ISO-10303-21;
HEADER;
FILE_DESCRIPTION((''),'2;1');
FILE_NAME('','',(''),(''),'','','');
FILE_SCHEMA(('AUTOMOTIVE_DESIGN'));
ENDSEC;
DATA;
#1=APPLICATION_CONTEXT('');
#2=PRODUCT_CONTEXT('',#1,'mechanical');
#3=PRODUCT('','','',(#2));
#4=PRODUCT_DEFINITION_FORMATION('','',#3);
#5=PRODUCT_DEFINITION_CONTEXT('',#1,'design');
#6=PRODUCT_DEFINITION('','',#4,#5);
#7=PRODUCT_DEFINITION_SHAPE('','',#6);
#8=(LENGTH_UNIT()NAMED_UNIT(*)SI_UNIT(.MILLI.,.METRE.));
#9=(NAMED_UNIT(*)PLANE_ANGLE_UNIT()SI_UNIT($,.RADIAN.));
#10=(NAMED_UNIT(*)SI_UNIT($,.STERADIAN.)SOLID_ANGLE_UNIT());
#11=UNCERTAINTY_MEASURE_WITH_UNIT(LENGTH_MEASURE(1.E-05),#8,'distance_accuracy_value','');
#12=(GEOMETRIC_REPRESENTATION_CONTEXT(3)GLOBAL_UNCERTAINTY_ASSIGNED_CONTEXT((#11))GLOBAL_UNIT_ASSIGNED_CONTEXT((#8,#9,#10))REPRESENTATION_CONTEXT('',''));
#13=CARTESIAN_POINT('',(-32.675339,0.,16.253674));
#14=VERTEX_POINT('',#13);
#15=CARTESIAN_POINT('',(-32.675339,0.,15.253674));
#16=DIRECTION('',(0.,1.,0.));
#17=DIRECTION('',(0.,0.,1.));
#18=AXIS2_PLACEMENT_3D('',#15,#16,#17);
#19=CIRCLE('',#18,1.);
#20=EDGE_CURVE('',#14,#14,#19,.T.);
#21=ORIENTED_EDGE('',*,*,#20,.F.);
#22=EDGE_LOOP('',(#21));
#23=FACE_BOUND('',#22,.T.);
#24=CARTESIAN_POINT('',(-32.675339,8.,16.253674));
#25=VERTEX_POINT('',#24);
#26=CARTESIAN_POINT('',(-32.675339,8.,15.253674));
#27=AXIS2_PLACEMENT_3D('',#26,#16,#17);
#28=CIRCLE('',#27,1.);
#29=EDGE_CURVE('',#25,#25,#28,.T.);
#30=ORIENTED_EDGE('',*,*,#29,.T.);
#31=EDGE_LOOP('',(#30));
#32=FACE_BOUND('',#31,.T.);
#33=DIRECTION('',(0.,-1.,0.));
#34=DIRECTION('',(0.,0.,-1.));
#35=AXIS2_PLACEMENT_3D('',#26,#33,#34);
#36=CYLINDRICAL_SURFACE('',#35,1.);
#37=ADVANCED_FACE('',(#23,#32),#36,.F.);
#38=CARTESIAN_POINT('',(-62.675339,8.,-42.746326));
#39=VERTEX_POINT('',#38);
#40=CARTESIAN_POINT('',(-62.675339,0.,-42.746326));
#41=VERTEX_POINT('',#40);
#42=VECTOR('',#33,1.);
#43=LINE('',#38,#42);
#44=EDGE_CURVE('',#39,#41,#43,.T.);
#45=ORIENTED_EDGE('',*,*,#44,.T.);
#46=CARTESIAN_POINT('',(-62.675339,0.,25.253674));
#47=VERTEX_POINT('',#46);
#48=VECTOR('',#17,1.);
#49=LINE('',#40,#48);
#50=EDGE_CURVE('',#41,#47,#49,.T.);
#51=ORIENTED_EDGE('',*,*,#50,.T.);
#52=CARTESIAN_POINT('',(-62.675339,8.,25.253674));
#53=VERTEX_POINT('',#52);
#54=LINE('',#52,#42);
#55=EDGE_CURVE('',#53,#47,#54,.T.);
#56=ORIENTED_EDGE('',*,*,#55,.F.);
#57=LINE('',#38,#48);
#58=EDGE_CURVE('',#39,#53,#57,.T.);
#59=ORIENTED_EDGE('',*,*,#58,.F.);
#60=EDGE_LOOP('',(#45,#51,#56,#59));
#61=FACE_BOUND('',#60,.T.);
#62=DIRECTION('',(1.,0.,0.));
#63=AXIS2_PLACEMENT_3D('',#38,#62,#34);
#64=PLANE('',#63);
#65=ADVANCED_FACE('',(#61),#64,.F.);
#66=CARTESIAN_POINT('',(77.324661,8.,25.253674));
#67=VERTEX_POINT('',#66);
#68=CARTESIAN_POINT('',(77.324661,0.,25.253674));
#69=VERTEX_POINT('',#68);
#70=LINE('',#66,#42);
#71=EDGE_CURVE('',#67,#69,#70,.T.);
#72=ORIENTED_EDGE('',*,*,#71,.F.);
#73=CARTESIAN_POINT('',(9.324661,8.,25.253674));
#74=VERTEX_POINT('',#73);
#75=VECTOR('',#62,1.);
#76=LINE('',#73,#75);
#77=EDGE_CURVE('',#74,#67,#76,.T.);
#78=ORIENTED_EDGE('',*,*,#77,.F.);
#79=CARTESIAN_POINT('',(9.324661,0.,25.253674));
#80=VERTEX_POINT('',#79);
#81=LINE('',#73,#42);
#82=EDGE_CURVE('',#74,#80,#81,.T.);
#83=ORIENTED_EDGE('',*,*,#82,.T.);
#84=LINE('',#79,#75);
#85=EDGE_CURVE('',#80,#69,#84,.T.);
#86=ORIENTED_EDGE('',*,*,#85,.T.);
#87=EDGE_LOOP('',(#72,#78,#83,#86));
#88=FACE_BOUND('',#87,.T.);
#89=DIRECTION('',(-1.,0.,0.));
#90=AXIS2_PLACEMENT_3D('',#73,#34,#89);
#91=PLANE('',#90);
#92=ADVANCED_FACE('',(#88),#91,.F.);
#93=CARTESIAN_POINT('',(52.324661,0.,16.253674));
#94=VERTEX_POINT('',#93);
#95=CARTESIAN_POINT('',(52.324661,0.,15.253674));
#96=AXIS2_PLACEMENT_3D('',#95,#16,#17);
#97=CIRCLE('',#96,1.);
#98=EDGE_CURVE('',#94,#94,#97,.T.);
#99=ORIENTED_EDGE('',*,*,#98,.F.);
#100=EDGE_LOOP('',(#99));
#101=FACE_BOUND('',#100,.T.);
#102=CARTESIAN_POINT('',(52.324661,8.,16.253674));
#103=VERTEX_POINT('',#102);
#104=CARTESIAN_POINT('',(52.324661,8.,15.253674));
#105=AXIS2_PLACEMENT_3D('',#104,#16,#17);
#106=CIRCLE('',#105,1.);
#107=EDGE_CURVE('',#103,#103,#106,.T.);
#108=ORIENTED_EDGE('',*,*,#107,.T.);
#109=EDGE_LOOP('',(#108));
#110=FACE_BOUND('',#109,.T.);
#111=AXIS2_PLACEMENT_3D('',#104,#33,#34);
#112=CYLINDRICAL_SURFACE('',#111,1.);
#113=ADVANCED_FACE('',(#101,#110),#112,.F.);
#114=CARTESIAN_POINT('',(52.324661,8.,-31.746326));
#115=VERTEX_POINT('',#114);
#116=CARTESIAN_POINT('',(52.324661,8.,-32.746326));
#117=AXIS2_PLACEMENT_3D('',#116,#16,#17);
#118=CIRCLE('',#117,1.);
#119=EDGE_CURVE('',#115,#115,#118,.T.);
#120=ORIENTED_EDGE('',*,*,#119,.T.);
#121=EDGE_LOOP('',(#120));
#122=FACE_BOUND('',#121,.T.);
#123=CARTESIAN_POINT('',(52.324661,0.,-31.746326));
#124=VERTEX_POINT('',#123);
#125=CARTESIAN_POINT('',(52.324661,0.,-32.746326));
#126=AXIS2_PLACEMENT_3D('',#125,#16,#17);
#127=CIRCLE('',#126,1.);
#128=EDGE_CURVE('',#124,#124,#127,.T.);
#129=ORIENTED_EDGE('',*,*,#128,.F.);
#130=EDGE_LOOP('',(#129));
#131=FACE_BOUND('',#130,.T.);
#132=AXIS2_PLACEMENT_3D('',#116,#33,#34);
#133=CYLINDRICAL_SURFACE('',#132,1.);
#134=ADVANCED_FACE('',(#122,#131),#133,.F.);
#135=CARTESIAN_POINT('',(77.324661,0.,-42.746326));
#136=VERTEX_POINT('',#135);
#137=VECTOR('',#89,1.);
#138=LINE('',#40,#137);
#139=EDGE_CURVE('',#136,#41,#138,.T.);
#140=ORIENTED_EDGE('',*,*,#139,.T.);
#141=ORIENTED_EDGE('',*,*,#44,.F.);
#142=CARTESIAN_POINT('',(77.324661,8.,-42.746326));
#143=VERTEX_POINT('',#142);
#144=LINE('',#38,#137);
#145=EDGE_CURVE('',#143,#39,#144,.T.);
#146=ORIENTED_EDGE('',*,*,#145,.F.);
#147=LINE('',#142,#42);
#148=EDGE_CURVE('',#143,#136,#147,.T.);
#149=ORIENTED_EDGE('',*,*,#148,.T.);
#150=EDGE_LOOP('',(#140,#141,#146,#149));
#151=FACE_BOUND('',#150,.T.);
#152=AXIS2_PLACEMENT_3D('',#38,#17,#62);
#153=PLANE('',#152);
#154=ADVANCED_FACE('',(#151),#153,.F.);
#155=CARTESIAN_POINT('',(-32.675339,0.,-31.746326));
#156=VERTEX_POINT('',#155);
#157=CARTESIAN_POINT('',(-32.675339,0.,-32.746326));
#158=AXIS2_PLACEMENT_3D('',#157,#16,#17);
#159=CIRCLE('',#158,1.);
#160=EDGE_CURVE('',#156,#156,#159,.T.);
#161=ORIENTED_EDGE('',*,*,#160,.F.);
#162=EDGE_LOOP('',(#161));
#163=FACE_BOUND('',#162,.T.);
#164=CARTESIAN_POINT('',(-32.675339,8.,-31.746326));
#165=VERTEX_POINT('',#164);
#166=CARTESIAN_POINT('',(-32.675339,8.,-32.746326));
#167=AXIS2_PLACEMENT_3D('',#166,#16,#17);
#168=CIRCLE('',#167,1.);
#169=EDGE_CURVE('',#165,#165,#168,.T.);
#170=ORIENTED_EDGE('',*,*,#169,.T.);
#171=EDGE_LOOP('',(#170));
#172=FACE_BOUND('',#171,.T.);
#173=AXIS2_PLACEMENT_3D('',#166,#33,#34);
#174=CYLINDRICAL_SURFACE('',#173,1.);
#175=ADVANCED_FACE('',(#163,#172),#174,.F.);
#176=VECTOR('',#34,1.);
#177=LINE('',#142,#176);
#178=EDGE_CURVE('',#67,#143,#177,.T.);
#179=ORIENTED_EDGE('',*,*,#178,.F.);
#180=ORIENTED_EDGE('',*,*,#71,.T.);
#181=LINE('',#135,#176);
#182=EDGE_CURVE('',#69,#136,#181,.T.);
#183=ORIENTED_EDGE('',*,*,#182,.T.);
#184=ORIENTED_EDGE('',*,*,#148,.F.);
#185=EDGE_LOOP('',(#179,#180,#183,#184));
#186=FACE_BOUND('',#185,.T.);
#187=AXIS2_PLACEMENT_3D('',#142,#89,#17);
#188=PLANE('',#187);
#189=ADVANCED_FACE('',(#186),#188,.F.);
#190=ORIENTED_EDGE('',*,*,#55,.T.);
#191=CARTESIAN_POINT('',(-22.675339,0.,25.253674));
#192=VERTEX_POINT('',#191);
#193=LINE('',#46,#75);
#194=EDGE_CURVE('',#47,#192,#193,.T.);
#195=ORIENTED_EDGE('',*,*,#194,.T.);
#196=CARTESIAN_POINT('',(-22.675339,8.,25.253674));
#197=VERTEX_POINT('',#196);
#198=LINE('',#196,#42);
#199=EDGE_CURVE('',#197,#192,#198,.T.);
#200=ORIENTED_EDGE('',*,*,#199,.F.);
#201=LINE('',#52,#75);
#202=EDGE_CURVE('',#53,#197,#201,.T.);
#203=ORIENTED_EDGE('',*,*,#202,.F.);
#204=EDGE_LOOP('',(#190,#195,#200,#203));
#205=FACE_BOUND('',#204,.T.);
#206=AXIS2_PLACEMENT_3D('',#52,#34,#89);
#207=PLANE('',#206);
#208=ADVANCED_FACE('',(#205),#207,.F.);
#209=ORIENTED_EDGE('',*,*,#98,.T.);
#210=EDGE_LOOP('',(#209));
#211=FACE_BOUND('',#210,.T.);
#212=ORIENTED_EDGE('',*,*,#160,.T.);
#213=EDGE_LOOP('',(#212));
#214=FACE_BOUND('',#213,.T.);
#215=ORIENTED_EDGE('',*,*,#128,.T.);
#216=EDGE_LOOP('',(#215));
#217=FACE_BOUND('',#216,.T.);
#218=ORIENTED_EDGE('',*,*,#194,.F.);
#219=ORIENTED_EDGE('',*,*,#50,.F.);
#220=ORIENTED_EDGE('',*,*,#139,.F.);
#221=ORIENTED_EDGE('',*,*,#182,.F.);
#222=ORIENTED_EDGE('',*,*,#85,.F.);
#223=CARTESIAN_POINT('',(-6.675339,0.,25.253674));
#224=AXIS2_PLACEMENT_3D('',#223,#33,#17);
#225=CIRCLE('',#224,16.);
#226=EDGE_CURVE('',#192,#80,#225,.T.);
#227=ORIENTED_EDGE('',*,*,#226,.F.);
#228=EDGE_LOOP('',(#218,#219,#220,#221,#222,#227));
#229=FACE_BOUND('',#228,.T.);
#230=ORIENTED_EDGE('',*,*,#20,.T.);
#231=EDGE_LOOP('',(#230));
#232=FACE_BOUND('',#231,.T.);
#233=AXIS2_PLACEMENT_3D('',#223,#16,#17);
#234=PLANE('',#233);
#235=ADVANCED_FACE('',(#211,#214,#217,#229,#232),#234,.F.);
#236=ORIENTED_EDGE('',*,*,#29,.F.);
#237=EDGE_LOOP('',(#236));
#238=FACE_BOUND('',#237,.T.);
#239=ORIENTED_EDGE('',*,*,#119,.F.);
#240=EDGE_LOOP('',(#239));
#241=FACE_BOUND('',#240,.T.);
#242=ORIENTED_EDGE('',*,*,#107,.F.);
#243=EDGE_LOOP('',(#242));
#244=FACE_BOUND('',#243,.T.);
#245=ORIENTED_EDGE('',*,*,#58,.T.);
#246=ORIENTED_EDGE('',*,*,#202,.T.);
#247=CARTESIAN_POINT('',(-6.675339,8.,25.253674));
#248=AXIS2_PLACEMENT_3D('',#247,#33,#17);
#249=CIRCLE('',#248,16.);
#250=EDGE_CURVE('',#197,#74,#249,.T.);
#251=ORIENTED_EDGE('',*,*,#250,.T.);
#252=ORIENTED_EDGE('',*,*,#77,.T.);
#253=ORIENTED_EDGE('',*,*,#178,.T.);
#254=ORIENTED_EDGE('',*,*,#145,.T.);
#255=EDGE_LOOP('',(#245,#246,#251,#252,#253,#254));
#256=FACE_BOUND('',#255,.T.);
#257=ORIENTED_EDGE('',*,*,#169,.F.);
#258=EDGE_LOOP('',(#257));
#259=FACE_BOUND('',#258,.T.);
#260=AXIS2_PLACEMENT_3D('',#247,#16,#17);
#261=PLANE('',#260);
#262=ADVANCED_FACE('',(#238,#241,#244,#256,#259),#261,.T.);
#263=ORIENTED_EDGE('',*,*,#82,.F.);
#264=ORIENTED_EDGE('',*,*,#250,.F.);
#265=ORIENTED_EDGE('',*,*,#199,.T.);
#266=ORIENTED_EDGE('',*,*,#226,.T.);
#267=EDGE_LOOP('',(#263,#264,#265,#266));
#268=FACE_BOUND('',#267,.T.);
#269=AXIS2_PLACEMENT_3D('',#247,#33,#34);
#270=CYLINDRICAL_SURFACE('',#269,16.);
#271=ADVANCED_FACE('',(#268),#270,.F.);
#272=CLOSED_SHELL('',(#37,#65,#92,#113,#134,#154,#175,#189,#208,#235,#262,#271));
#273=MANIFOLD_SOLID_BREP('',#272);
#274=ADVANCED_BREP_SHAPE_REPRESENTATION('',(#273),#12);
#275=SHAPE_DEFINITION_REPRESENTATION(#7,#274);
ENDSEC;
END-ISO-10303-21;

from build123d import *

# Parameters (mm, degrees)
SKETCH1_R           = 1
BOSS_EXTRUDE1_DEPTH = 8


with BuildPart() as part:
    # Sketch1 → Boss-Extrude1 (new body)
    with BuildSketch(Plane(origin=(0, 0, 0), x_dir=(1, 0, 0), z_dir=(0, 1, 0))):
        with BuildLine():
            Line((-62.675339064, 42.746325997), (77.324660936, 42.746325997))
            Line((77.324660936, 42.746325997), (77.324660936, -25.253674003))
            Line((77.324660936, -25.253674003), (9.324660936, -25.253674003))
            ThreePointArc((9.324660936, -25.253674003), (-6.675339064, -9.253674003), (-22.675339064, -25.253674003))
            Line((-22.675339064, -25.253674003), (-62.675339064, -25.253674003))
            Line((-62.675339064, -25.253674003), (-62.675339064, 42.746325997))
        make_face()
        with Locations((-32.675339064, 32.746325997)):
            Circle(SKETCH1_R, mode=Mode.SUBTRACT)
        with Locations((-32.675339064, -15.253674003)):
            Circle(SKETCH1_R, mode=Mode.SUBTRACT)
        with Locations((52.324660936, 32.746325997)):
            Circle(SKETCH1_R, mode=Mode.SUBTRACT)
        with Locations((52.324660936, -15.253674003)):
            Circle(SKETCH1_R, mode=Mode.SUBTRACT)
    extrude(amount=BOSS_EXTRUDE1_DEPTH)


solid = part.part
